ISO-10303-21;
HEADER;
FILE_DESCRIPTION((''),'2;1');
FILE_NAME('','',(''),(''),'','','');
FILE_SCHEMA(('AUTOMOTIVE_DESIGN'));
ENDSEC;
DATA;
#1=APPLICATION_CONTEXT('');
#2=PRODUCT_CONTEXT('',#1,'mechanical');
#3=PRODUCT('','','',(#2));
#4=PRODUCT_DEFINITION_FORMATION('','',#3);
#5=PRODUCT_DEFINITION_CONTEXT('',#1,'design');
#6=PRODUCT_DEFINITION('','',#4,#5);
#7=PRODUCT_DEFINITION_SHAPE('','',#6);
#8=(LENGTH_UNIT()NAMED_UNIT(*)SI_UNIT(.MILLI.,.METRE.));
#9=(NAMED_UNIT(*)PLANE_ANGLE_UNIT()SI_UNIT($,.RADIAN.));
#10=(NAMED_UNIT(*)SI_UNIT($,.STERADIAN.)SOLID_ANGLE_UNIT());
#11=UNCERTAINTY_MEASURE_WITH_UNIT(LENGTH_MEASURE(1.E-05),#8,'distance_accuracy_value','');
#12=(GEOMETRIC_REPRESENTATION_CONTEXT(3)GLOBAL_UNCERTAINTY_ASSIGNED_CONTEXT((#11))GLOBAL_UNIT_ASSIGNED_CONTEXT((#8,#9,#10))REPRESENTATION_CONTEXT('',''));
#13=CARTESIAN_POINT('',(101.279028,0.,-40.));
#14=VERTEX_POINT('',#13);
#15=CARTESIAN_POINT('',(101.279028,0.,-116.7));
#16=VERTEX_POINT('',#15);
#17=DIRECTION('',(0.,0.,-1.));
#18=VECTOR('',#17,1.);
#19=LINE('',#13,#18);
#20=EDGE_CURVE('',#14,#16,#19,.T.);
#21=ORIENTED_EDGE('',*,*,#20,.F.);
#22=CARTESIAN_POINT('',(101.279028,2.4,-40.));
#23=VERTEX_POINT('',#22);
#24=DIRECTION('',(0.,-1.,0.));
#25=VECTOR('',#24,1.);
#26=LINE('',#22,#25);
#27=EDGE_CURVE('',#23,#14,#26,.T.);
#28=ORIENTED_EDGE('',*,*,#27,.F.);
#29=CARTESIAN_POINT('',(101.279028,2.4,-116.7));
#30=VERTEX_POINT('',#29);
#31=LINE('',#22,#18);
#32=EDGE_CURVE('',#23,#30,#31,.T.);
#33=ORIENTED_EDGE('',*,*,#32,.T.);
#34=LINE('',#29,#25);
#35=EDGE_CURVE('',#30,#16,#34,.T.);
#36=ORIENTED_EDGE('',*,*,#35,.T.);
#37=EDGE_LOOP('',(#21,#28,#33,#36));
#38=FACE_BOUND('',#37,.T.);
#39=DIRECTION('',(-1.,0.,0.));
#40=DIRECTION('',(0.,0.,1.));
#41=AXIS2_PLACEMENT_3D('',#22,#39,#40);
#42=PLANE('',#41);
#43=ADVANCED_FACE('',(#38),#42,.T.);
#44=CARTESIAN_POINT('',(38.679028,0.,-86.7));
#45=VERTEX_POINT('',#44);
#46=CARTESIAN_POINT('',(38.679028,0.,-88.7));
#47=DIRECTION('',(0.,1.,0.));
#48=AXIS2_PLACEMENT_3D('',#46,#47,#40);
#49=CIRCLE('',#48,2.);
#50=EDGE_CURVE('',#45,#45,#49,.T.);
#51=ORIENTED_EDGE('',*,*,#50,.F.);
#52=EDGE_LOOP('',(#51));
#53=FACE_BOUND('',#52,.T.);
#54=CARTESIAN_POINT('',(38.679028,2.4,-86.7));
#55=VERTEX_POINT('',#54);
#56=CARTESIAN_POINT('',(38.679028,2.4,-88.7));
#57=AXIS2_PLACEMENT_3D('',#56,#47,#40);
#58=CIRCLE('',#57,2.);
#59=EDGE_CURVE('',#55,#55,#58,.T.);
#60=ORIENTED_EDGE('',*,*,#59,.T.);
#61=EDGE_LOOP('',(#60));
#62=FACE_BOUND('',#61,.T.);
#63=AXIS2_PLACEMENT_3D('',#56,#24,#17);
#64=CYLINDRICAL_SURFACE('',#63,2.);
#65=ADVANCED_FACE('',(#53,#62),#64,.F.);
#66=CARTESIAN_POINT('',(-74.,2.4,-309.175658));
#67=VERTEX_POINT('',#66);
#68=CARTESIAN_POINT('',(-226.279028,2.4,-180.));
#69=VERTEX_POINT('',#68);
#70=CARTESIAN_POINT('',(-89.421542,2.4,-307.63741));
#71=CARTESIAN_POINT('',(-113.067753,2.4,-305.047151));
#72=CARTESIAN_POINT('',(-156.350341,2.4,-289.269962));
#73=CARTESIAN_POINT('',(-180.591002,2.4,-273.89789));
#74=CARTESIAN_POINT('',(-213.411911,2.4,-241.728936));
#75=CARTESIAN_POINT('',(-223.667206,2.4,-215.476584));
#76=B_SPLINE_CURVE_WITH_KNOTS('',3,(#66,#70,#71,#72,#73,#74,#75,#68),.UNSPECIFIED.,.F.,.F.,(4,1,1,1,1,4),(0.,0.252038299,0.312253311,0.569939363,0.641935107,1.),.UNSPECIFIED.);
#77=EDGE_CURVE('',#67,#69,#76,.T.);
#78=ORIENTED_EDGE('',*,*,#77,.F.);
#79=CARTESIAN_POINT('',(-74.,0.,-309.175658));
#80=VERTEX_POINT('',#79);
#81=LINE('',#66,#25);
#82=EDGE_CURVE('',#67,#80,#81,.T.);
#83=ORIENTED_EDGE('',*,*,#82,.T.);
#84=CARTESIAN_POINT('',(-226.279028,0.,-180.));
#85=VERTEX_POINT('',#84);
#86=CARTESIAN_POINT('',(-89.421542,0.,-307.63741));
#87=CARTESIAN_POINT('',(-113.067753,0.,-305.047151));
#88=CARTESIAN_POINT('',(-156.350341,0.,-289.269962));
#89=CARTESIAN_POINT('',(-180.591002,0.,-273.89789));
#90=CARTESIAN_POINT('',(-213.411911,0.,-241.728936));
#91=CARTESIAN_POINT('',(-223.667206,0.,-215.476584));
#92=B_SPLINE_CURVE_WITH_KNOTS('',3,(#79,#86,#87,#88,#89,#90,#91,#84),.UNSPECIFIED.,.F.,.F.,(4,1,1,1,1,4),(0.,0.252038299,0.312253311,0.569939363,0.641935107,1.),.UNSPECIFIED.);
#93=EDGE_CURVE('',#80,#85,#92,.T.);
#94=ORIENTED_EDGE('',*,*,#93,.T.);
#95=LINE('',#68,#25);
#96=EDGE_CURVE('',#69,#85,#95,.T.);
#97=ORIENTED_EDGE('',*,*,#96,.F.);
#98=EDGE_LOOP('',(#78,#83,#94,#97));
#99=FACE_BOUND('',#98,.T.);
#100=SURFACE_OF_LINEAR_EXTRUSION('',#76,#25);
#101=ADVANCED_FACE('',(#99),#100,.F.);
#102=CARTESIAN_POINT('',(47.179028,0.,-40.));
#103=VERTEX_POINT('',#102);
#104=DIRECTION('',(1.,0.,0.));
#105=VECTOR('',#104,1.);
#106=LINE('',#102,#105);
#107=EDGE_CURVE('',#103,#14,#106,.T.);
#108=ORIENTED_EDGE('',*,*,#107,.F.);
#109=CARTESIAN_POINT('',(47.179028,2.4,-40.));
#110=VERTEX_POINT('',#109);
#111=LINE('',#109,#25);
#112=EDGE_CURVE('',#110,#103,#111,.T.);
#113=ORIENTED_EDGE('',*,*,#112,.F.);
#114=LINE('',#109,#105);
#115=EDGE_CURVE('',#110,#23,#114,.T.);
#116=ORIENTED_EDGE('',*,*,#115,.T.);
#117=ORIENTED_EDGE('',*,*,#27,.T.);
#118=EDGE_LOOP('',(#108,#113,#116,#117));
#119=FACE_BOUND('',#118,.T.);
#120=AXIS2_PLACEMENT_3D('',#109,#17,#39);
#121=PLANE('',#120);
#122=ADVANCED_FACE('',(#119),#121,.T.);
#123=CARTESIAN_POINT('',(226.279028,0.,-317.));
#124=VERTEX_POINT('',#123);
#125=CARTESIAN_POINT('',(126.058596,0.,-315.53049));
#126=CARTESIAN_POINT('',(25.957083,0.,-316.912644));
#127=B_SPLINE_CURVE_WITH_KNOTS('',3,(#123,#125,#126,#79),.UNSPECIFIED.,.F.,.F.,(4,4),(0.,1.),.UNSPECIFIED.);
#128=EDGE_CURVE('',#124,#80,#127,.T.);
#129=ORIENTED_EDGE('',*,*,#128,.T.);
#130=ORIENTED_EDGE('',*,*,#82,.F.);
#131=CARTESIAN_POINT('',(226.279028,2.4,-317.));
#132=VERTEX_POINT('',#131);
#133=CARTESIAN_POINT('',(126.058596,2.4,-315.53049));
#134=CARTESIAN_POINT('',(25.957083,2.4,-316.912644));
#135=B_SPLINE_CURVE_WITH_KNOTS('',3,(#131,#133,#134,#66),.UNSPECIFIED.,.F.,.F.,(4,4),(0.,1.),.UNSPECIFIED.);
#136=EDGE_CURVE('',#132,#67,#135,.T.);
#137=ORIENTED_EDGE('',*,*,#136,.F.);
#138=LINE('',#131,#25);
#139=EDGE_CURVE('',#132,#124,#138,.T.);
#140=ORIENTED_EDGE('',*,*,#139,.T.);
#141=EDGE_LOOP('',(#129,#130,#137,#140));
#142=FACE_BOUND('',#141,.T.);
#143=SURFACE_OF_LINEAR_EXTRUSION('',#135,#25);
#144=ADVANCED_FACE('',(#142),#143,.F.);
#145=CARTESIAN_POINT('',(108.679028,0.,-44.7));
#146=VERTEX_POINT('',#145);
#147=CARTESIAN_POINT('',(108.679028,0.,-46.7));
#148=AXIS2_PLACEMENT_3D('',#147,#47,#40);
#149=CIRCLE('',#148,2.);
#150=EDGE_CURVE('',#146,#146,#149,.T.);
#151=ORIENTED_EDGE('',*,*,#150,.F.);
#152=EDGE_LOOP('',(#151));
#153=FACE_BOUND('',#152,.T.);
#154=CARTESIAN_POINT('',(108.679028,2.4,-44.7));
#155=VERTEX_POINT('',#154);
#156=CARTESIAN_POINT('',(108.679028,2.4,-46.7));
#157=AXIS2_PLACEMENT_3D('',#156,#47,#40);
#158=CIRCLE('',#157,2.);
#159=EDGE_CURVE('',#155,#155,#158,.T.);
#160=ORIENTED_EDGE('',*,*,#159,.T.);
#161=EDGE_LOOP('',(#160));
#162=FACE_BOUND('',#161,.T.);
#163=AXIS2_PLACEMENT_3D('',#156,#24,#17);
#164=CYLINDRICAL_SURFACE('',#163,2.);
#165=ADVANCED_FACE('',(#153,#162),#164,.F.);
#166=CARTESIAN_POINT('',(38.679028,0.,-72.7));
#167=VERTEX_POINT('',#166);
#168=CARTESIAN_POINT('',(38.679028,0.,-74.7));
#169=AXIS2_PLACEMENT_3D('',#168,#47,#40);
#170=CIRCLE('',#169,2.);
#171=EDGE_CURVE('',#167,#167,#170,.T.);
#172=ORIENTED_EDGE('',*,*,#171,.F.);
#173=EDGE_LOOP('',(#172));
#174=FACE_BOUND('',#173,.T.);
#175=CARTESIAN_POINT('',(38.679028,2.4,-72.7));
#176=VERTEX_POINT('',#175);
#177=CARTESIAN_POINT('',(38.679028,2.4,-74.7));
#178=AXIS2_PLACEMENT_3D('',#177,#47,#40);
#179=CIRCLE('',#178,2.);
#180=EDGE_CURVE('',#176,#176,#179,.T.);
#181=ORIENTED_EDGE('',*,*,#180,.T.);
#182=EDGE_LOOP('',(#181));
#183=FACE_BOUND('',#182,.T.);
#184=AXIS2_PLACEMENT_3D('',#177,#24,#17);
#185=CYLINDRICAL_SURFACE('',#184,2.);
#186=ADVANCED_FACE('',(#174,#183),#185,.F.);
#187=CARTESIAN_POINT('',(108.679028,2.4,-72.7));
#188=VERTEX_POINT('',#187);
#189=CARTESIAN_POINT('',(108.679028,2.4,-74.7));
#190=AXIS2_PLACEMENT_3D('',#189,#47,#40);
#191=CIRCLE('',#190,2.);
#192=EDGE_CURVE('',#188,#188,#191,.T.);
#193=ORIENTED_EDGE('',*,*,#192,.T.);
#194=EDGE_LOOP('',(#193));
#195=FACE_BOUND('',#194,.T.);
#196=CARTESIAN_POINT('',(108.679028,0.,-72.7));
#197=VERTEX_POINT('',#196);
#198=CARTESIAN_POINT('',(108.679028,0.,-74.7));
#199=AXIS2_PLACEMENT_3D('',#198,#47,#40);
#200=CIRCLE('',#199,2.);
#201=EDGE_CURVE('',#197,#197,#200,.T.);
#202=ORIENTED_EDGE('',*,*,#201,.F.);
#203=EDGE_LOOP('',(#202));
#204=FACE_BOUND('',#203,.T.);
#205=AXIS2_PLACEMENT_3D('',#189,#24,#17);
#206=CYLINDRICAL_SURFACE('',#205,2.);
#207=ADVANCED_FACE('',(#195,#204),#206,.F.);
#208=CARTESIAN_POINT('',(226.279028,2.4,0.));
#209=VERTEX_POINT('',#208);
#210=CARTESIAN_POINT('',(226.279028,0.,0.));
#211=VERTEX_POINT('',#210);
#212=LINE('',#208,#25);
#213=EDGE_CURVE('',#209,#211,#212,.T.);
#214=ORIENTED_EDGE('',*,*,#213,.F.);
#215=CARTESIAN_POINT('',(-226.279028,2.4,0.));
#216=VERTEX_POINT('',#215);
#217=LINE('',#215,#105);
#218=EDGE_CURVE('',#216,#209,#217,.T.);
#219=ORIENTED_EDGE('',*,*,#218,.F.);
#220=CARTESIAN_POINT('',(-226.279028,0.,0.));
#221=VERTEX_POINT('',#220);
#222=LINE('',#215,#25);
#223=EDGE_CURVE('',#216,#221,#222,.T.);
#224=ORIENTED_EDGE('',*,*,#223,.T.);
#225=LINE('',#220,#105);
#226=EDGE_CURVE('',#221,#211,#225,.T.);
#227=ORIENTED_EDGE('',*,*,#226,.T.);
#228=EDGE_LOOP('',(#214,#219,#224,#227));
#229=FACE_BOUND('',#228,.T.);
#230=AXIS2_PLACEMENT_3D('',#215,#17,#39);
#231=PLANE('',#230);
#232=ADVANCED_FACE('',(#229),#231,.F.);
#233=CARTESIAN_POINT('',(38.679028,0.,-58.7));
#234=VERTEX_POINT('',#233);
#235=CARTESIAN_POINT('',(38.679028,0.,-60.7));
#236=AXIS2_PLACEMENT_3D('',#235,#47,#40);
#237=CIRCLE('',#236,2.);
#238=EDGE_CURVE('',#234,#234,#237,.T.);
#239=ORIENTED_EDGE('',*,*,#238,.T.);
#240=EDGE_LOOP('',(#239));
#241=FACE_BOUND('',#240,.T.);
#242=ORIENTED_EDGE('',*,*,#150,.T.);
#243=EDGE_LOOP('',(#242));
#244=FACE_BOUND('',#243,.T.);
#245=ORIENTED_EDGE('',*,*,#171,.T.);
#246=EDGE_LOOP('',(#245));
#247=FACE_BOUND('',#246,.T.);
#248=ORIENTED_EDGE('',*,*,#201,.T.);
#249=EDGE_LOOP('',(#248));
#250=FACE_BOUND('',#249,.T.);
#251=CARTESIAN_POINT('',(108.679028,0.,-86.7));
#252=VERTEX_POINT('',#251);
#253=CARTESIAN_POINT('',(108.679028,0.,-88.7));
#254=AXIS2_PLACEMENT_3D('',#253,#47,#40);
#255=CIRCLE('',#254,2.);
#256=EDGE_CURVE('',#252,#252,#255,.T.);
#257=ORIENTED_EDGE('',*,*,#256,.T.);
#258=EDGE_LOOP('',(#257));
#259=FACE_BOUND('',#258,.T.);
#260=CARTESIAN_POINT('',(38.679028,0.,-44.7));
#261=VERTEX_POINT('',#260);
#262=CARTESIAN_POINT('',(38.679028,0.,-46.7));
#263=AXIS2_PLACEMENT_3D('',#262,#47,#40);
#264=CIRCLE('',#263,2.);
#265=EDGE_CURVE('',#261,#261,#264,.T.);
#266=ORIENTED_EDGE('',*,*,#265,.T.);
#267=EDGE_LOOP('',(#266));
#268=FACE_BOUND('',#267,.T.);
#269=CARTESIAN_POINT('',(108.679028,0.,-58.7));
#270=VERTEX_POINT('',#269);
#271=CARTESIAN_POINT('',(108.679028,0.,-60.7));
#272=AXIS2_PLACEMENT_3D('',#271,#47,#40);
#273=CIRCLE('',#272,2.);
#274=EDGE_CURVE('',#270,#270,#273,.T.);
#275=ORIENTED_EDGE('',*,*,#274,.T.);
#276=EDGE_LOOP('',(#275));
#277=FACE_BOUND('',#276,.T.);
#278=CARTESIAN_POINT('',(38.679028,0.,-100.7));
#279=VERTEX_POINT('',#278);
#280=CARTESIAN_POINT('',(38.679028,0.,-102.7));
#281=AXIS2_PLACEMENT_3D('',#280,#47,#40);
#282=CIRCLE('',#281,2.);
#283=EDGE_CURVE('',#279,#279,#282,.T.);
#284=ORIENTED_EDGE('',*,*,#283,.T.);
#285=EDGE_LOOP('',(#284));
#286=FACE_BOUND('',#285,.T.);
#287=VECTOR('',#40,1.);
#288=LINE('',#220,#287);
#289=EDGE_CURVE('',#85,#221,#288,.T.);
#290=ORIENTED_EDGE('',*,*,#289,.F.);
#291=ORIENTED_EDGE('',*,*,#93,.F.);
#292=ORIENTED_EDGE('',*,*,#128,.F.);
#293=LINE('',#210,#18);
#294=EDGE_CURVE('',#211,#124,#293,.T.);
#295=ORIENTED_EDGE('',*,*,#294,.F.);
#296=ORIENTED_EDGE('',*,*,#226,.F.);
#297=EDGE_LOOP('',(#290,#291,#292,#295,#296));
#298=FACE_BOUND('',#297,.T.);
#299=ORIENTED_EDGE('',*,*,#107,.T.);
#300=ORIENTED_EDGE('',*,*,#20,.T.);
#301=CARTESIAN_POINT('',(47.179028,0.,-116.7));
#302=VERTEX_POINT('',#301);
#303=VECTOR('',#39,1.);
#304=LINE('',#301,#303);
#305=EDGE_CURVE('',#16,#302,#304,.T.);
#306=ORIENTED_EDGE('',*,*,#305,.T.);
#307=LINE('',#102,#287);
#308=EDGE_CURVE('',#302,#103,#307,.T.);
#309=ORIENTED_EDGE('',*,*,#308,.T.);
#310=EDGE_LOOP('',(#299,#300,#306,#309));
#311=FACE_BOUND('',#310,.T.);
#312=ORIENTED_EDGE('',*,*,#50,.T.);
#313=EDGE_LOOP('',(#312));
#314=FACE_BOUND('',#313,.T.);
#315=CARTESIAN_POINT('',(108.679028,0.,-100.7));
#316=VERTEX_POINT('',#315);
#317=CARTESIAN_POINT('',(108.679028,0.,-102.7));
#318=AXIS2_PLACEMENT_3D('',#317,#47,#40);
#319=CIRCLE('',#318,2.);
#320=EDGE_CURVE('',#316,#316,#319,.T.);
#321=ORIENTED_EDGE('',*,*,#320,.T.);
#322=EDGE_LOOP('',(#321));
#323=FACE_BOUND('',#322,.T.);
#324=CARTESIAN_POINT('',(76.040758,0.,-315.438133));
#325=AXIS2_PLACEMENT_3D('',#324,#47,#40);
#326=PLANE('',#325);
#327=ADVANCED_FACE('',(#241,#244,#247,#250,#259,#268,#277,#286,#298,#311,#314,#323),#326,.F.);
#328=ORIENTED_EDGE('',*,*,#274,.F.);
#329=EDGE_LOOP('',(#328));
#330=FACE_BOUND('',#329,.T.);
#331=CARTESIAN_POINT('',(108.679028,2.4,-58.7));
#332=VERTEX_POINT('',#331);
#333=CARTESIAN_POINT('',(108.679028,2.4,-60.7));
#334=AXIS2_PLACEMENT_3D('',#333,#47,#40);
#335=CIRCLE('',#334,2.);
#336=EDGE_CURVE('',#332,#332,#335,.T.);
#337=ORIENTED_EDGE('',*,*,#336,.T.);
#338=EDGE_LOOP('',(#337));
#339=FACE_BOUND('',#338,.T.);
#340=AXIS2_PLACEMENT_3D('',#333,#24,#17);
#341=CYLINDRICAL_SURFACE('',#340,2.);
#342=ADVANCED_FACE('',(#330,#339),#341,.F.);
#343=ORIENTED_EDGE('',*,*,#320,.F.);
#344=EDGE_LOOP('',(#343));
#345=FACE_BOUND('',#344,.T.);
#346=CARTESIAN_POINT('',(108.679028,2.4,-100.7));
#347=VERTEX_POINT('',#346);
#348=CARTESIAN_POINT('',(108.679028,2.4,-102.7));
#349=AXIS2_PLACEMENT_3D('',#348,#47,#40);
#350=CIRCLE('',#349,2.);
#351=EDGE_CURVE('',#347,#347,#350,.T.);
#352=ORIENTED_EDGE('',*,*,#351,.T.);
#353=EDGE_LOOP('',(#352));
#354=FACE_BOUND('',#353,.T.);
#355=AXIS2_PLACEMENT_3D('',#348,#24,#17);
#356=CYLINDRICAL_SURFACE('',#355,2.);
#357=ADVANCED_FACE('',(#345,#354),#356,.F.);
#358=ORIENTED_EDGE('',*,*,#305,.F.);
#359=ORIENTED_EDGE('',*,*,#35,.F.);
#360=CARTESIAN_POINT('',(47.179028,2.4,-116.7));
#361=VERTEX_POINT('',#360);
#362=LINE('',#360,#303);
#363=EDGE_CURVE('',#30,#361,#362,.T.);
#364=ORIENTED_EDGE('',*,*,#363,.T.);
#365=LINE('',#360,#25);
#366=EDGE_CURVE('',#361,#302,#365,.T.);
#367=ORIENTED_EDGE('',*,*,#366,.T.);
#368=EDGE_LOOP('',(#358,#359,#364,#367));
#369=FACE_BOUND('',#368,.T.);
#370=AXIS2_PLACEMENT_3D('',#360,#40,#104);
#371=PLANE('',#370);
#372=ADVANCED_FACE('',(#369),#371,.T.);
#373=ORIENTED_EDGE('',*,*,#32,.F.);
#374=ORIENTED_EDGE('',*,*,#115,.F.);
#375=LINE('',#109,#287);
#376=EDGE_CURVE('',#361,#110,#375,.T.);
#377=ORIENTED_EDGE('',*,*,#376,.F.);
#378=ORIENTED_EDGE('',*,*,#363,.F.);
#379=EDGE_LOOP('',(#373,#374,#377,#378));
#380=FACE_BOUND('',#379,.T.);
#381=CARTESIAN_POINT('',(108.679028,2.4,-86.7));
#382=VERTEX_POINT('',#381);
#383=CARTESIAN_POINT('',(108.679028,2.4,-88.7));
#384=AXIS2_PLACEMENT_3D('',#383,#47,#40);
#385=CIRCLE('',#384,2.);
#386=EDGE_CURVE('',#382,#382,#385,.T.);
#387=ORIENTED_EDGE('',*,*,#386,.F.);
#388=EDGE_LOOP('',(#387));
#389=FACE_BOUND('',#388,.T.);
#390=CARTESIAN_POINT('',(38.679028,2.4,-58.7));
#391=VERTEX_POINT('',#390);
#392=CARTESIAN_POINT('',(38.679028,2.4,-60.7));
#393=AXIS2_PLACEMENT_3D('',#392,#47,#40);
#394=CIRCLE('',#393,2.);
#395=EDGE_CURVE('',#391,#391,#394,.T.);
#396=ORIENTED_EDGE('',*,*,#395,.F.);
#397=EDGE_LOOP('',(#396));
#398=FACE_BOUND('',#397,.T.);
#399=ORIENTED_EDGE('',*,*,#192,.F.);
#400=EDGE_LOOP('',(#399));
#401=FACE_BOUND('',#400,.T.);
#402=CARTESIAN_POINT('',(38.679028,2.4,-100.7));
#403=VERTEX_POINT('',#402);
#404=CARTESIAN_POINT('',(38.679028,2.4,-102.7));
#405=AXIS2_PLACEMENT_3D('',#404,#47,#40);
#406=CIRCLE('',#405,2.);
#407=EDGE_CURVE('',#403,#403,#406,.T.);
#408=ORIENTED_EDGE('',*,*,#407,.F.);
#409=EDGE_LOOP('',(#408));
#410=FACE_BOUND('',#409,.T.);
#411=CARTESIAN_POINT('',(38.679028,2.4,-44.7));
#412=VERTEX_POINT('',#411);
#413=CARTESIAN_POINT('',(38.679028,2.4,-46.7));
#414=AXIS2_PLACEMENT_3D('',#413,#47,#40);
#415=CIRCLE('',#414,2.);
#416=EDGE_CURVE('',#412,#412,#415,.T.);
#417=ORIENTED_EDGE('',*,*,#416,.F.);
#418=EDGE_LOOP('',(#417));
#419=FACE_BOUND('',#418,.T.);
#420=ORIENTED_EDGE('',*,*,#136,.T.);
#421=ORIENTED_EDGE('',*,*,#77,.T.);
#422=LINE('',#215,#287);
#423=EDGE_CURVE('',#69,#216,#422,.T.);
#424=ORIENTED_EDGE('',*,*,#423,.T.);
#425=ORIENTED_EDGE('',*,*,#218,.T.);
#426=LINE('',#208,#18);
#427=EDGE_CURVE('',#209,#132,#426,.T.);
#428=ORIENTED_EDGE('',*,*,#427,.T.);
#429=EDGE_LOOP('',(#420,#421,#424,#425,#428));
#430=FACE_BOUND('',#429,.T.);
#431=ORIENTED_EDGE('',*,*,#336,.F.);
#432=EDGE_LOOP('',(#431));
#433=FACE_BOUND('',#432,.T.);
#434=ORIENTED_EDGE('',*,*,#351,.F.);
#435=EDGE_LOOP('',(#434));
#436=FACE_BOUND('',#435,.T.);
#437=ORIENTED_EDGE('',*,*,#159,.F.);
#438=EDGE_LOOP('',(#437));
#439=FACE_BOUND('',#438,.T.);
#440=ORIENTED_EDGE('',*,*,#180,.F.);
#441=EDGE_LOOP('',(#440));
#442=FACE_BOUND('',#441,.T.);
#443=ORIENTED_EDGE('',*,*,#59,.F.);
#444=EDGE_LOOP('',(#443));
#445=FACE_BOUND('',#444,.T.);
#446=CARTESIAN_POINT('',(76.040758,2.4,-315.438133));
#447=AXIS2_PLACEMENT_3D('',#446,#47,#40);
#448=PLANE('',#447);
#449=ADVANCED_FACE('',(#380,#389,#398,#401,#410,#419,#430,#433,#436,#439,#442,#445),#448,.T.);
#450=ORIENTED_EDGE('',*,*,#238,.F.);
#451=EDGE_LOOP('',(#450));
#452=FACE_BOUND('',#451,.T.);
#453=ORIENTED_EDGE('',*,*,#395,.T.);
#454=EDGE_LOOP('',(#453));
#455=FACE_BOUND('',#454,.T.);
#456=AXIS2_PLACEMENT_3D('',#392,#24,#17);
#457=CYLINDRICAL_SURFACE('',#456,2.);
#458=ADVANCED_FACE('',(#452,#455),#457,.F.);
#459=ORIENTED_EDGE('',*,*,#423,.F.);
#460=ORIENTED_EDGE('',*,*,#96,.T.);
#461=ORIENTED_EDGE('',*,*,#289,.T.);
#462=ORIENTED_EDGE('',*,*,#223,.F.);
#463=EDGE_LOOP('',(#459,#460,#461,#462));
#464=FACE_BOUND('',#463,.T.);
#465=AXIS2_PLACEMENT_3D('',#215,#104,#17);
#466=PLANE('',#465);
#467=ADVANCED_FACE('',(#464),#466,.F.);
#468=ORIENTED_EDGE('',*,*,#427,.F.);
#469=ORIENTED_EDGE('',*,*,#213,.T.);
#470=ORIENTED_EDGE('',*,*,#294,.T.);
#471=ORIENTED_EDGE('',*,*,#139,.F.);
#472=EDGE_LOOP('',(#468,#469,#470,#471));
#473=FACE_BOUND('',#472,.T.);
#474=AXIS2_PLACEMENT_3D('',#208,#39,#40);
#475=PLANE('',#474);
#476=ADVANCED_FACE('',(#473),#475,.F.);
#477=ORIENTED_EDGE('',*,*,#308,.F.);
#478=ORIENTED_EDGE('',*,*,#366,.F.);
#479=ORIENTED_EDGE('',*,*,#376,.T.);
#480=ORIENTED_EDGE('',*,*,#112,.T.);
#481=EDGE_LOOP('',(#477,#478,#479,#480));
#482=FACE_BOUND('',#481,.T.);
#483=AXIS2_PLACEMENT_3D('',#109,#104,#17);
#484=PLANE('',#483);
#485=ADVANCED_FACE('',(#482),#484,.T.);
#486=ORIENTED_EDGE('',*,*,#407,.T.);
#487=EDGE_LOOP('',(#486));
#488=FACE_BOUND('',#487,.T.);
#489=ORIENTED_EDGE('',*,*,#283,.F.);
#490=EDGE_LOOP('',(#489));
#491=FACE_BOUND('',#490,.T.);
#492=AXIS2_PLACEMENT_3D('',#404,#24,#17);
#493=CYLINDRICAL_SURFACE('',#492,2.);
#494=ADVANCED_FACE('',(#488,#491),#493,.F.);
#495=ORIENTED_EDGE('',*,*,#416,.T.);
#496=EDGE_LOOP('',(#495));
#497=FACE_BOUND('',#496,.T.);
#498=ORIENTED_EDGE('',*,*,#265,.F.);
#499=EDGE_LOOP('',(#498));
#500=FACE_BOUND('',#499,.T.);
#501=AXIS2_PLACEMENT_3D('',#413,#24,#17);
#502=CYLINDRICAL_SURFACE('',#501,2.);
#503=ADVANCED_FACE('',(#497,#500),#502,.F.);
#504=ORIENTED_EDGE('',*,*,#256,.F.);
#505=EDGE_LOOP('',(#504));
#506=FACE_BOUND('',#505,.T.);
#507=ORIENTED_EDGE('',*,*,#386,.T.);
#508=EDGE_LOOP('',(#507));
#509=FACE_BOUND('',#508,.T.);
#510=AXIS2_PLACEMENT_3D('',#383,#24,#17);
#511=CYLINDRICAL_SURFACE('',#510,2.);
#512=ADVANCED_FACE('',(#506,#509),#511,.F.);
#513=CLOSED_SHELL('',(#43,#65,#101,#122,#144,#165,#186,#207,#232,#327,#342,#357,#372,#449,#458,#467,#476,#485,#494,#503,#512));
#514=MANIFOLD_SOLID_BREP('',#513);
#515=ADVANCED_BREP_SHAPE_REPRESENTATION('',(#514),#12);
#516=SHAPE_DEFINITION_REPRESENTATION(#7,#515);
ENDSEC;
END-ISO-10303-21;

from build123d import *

# Parameters (mm, degrees)
CROQUIS1_R              = 2
CROQUIS1_W              = 54.1
CROQUIS1_H              = 76.7
SALIENTE_EXTRUIR1_DEPTH = 2.4


with BuildPart() as part:
    # Croquis1 → Saliente-Extruir1 (new body)
    with BuildSketch(Plane(origin=(0, 0, 0), x_dir=(1, 0, 0), z_dir=(0, 1, 0))):
        with BuildLine():
            Line((-226.279027723, 0), (226.279027723, 0))
            Line((226.279027723, 0), (226.279027723, 317))
            add(Edge.make_bspline(
                [(226.279027723, 317), (126.058596011, 315.530489859), (25.957083457, 316.912644391), (-74, 309.175657787)],
                knots=[0, 0, 0, 0, 1, 1, 1, 1], degree=3))
            add(Edge.make_bspline(
                [(-226.279027723, 180), (-223.667205932, 215.476583649), (-213.411911356, 241.728935898), (-180.591001989, 273.897889753), (-156.350341436, 289.269961958), (-113.067752708, 305.04715057), (-89.421541744, 307.637409523), (-74, 309.175657787)],
                knots=[0, 0, 0, 0, 0.358064893, 0.430060637, 0.687746689, 0.747961701, 1, 1, 1, 1], degree=3))
            Line((-226.279027723, 180), (-226.279027723, 0))
        make_face()
        with Locations(Location((38.679027723, 102.7, 0), (0, 0, 270))):
            Circle(CROQUIS1_R, mode=Mode.SUBTRACT)
        with Locations(Location((108.679027723, 102.7, 0), (0, 0, 270))):
            Circle(CROQUIS1_R, mode=Mode.SUBTRACT)
        with Locations(Location((108.679027723, 88.7, 0), (0, 0, 270))):
            Circle(CROQUIS1_R, mode=Mode.SUBTRACT)
        with Locations(Location((108.679027723, 74.7, 0), (0, 0, 270))):
            Circle(CROQUIS1_R, mode=Mode.SUBTRACT)
        with Locations(Location((108.679027723, 60.7, 0), (0, 0, 270))):
            Circle(CROQUIS1_R, mode=Mode.SUBTRACT)
        with Locations(Location((108.679027723, 46.7, 0), (0, 0, 270))):
            Circle(CROQUIS1_R, mode=Mode.SUBTRACT)
        with Locations(Location((38.679027723, 88.7, 0), (0, 0, 270))):
            Circle(CROQUIS1_R, mode=Mode.SUBTRACT)
        with Locations(Location((38.679027723, 74.7, 0), (0, 0, 270))):
            Circle(CROQUIS1_R, mode=Mode.SUBTRACT)
        with Locations(Location((38.679027723, 60.7, 0), (0, 0, 270))):
            Circle(CROQUIS1_R, mode=Mode.SUBTRACT)
        with Locations(Location((38.679027723, 46.7, 0), (0, 0, 270))):
            Circle(CROQUIS1_R, mode=Mode.SUBTRACT)
        with Locations((74.229027723, 78.35)):
            Rectangle(CROQUIS1_W, CROQUIS1_H, mode=Mode.SUBTRACT)
    extrude(amount=SALIENTE_EXTRUIR1_DEPTH)


solid = part.part
